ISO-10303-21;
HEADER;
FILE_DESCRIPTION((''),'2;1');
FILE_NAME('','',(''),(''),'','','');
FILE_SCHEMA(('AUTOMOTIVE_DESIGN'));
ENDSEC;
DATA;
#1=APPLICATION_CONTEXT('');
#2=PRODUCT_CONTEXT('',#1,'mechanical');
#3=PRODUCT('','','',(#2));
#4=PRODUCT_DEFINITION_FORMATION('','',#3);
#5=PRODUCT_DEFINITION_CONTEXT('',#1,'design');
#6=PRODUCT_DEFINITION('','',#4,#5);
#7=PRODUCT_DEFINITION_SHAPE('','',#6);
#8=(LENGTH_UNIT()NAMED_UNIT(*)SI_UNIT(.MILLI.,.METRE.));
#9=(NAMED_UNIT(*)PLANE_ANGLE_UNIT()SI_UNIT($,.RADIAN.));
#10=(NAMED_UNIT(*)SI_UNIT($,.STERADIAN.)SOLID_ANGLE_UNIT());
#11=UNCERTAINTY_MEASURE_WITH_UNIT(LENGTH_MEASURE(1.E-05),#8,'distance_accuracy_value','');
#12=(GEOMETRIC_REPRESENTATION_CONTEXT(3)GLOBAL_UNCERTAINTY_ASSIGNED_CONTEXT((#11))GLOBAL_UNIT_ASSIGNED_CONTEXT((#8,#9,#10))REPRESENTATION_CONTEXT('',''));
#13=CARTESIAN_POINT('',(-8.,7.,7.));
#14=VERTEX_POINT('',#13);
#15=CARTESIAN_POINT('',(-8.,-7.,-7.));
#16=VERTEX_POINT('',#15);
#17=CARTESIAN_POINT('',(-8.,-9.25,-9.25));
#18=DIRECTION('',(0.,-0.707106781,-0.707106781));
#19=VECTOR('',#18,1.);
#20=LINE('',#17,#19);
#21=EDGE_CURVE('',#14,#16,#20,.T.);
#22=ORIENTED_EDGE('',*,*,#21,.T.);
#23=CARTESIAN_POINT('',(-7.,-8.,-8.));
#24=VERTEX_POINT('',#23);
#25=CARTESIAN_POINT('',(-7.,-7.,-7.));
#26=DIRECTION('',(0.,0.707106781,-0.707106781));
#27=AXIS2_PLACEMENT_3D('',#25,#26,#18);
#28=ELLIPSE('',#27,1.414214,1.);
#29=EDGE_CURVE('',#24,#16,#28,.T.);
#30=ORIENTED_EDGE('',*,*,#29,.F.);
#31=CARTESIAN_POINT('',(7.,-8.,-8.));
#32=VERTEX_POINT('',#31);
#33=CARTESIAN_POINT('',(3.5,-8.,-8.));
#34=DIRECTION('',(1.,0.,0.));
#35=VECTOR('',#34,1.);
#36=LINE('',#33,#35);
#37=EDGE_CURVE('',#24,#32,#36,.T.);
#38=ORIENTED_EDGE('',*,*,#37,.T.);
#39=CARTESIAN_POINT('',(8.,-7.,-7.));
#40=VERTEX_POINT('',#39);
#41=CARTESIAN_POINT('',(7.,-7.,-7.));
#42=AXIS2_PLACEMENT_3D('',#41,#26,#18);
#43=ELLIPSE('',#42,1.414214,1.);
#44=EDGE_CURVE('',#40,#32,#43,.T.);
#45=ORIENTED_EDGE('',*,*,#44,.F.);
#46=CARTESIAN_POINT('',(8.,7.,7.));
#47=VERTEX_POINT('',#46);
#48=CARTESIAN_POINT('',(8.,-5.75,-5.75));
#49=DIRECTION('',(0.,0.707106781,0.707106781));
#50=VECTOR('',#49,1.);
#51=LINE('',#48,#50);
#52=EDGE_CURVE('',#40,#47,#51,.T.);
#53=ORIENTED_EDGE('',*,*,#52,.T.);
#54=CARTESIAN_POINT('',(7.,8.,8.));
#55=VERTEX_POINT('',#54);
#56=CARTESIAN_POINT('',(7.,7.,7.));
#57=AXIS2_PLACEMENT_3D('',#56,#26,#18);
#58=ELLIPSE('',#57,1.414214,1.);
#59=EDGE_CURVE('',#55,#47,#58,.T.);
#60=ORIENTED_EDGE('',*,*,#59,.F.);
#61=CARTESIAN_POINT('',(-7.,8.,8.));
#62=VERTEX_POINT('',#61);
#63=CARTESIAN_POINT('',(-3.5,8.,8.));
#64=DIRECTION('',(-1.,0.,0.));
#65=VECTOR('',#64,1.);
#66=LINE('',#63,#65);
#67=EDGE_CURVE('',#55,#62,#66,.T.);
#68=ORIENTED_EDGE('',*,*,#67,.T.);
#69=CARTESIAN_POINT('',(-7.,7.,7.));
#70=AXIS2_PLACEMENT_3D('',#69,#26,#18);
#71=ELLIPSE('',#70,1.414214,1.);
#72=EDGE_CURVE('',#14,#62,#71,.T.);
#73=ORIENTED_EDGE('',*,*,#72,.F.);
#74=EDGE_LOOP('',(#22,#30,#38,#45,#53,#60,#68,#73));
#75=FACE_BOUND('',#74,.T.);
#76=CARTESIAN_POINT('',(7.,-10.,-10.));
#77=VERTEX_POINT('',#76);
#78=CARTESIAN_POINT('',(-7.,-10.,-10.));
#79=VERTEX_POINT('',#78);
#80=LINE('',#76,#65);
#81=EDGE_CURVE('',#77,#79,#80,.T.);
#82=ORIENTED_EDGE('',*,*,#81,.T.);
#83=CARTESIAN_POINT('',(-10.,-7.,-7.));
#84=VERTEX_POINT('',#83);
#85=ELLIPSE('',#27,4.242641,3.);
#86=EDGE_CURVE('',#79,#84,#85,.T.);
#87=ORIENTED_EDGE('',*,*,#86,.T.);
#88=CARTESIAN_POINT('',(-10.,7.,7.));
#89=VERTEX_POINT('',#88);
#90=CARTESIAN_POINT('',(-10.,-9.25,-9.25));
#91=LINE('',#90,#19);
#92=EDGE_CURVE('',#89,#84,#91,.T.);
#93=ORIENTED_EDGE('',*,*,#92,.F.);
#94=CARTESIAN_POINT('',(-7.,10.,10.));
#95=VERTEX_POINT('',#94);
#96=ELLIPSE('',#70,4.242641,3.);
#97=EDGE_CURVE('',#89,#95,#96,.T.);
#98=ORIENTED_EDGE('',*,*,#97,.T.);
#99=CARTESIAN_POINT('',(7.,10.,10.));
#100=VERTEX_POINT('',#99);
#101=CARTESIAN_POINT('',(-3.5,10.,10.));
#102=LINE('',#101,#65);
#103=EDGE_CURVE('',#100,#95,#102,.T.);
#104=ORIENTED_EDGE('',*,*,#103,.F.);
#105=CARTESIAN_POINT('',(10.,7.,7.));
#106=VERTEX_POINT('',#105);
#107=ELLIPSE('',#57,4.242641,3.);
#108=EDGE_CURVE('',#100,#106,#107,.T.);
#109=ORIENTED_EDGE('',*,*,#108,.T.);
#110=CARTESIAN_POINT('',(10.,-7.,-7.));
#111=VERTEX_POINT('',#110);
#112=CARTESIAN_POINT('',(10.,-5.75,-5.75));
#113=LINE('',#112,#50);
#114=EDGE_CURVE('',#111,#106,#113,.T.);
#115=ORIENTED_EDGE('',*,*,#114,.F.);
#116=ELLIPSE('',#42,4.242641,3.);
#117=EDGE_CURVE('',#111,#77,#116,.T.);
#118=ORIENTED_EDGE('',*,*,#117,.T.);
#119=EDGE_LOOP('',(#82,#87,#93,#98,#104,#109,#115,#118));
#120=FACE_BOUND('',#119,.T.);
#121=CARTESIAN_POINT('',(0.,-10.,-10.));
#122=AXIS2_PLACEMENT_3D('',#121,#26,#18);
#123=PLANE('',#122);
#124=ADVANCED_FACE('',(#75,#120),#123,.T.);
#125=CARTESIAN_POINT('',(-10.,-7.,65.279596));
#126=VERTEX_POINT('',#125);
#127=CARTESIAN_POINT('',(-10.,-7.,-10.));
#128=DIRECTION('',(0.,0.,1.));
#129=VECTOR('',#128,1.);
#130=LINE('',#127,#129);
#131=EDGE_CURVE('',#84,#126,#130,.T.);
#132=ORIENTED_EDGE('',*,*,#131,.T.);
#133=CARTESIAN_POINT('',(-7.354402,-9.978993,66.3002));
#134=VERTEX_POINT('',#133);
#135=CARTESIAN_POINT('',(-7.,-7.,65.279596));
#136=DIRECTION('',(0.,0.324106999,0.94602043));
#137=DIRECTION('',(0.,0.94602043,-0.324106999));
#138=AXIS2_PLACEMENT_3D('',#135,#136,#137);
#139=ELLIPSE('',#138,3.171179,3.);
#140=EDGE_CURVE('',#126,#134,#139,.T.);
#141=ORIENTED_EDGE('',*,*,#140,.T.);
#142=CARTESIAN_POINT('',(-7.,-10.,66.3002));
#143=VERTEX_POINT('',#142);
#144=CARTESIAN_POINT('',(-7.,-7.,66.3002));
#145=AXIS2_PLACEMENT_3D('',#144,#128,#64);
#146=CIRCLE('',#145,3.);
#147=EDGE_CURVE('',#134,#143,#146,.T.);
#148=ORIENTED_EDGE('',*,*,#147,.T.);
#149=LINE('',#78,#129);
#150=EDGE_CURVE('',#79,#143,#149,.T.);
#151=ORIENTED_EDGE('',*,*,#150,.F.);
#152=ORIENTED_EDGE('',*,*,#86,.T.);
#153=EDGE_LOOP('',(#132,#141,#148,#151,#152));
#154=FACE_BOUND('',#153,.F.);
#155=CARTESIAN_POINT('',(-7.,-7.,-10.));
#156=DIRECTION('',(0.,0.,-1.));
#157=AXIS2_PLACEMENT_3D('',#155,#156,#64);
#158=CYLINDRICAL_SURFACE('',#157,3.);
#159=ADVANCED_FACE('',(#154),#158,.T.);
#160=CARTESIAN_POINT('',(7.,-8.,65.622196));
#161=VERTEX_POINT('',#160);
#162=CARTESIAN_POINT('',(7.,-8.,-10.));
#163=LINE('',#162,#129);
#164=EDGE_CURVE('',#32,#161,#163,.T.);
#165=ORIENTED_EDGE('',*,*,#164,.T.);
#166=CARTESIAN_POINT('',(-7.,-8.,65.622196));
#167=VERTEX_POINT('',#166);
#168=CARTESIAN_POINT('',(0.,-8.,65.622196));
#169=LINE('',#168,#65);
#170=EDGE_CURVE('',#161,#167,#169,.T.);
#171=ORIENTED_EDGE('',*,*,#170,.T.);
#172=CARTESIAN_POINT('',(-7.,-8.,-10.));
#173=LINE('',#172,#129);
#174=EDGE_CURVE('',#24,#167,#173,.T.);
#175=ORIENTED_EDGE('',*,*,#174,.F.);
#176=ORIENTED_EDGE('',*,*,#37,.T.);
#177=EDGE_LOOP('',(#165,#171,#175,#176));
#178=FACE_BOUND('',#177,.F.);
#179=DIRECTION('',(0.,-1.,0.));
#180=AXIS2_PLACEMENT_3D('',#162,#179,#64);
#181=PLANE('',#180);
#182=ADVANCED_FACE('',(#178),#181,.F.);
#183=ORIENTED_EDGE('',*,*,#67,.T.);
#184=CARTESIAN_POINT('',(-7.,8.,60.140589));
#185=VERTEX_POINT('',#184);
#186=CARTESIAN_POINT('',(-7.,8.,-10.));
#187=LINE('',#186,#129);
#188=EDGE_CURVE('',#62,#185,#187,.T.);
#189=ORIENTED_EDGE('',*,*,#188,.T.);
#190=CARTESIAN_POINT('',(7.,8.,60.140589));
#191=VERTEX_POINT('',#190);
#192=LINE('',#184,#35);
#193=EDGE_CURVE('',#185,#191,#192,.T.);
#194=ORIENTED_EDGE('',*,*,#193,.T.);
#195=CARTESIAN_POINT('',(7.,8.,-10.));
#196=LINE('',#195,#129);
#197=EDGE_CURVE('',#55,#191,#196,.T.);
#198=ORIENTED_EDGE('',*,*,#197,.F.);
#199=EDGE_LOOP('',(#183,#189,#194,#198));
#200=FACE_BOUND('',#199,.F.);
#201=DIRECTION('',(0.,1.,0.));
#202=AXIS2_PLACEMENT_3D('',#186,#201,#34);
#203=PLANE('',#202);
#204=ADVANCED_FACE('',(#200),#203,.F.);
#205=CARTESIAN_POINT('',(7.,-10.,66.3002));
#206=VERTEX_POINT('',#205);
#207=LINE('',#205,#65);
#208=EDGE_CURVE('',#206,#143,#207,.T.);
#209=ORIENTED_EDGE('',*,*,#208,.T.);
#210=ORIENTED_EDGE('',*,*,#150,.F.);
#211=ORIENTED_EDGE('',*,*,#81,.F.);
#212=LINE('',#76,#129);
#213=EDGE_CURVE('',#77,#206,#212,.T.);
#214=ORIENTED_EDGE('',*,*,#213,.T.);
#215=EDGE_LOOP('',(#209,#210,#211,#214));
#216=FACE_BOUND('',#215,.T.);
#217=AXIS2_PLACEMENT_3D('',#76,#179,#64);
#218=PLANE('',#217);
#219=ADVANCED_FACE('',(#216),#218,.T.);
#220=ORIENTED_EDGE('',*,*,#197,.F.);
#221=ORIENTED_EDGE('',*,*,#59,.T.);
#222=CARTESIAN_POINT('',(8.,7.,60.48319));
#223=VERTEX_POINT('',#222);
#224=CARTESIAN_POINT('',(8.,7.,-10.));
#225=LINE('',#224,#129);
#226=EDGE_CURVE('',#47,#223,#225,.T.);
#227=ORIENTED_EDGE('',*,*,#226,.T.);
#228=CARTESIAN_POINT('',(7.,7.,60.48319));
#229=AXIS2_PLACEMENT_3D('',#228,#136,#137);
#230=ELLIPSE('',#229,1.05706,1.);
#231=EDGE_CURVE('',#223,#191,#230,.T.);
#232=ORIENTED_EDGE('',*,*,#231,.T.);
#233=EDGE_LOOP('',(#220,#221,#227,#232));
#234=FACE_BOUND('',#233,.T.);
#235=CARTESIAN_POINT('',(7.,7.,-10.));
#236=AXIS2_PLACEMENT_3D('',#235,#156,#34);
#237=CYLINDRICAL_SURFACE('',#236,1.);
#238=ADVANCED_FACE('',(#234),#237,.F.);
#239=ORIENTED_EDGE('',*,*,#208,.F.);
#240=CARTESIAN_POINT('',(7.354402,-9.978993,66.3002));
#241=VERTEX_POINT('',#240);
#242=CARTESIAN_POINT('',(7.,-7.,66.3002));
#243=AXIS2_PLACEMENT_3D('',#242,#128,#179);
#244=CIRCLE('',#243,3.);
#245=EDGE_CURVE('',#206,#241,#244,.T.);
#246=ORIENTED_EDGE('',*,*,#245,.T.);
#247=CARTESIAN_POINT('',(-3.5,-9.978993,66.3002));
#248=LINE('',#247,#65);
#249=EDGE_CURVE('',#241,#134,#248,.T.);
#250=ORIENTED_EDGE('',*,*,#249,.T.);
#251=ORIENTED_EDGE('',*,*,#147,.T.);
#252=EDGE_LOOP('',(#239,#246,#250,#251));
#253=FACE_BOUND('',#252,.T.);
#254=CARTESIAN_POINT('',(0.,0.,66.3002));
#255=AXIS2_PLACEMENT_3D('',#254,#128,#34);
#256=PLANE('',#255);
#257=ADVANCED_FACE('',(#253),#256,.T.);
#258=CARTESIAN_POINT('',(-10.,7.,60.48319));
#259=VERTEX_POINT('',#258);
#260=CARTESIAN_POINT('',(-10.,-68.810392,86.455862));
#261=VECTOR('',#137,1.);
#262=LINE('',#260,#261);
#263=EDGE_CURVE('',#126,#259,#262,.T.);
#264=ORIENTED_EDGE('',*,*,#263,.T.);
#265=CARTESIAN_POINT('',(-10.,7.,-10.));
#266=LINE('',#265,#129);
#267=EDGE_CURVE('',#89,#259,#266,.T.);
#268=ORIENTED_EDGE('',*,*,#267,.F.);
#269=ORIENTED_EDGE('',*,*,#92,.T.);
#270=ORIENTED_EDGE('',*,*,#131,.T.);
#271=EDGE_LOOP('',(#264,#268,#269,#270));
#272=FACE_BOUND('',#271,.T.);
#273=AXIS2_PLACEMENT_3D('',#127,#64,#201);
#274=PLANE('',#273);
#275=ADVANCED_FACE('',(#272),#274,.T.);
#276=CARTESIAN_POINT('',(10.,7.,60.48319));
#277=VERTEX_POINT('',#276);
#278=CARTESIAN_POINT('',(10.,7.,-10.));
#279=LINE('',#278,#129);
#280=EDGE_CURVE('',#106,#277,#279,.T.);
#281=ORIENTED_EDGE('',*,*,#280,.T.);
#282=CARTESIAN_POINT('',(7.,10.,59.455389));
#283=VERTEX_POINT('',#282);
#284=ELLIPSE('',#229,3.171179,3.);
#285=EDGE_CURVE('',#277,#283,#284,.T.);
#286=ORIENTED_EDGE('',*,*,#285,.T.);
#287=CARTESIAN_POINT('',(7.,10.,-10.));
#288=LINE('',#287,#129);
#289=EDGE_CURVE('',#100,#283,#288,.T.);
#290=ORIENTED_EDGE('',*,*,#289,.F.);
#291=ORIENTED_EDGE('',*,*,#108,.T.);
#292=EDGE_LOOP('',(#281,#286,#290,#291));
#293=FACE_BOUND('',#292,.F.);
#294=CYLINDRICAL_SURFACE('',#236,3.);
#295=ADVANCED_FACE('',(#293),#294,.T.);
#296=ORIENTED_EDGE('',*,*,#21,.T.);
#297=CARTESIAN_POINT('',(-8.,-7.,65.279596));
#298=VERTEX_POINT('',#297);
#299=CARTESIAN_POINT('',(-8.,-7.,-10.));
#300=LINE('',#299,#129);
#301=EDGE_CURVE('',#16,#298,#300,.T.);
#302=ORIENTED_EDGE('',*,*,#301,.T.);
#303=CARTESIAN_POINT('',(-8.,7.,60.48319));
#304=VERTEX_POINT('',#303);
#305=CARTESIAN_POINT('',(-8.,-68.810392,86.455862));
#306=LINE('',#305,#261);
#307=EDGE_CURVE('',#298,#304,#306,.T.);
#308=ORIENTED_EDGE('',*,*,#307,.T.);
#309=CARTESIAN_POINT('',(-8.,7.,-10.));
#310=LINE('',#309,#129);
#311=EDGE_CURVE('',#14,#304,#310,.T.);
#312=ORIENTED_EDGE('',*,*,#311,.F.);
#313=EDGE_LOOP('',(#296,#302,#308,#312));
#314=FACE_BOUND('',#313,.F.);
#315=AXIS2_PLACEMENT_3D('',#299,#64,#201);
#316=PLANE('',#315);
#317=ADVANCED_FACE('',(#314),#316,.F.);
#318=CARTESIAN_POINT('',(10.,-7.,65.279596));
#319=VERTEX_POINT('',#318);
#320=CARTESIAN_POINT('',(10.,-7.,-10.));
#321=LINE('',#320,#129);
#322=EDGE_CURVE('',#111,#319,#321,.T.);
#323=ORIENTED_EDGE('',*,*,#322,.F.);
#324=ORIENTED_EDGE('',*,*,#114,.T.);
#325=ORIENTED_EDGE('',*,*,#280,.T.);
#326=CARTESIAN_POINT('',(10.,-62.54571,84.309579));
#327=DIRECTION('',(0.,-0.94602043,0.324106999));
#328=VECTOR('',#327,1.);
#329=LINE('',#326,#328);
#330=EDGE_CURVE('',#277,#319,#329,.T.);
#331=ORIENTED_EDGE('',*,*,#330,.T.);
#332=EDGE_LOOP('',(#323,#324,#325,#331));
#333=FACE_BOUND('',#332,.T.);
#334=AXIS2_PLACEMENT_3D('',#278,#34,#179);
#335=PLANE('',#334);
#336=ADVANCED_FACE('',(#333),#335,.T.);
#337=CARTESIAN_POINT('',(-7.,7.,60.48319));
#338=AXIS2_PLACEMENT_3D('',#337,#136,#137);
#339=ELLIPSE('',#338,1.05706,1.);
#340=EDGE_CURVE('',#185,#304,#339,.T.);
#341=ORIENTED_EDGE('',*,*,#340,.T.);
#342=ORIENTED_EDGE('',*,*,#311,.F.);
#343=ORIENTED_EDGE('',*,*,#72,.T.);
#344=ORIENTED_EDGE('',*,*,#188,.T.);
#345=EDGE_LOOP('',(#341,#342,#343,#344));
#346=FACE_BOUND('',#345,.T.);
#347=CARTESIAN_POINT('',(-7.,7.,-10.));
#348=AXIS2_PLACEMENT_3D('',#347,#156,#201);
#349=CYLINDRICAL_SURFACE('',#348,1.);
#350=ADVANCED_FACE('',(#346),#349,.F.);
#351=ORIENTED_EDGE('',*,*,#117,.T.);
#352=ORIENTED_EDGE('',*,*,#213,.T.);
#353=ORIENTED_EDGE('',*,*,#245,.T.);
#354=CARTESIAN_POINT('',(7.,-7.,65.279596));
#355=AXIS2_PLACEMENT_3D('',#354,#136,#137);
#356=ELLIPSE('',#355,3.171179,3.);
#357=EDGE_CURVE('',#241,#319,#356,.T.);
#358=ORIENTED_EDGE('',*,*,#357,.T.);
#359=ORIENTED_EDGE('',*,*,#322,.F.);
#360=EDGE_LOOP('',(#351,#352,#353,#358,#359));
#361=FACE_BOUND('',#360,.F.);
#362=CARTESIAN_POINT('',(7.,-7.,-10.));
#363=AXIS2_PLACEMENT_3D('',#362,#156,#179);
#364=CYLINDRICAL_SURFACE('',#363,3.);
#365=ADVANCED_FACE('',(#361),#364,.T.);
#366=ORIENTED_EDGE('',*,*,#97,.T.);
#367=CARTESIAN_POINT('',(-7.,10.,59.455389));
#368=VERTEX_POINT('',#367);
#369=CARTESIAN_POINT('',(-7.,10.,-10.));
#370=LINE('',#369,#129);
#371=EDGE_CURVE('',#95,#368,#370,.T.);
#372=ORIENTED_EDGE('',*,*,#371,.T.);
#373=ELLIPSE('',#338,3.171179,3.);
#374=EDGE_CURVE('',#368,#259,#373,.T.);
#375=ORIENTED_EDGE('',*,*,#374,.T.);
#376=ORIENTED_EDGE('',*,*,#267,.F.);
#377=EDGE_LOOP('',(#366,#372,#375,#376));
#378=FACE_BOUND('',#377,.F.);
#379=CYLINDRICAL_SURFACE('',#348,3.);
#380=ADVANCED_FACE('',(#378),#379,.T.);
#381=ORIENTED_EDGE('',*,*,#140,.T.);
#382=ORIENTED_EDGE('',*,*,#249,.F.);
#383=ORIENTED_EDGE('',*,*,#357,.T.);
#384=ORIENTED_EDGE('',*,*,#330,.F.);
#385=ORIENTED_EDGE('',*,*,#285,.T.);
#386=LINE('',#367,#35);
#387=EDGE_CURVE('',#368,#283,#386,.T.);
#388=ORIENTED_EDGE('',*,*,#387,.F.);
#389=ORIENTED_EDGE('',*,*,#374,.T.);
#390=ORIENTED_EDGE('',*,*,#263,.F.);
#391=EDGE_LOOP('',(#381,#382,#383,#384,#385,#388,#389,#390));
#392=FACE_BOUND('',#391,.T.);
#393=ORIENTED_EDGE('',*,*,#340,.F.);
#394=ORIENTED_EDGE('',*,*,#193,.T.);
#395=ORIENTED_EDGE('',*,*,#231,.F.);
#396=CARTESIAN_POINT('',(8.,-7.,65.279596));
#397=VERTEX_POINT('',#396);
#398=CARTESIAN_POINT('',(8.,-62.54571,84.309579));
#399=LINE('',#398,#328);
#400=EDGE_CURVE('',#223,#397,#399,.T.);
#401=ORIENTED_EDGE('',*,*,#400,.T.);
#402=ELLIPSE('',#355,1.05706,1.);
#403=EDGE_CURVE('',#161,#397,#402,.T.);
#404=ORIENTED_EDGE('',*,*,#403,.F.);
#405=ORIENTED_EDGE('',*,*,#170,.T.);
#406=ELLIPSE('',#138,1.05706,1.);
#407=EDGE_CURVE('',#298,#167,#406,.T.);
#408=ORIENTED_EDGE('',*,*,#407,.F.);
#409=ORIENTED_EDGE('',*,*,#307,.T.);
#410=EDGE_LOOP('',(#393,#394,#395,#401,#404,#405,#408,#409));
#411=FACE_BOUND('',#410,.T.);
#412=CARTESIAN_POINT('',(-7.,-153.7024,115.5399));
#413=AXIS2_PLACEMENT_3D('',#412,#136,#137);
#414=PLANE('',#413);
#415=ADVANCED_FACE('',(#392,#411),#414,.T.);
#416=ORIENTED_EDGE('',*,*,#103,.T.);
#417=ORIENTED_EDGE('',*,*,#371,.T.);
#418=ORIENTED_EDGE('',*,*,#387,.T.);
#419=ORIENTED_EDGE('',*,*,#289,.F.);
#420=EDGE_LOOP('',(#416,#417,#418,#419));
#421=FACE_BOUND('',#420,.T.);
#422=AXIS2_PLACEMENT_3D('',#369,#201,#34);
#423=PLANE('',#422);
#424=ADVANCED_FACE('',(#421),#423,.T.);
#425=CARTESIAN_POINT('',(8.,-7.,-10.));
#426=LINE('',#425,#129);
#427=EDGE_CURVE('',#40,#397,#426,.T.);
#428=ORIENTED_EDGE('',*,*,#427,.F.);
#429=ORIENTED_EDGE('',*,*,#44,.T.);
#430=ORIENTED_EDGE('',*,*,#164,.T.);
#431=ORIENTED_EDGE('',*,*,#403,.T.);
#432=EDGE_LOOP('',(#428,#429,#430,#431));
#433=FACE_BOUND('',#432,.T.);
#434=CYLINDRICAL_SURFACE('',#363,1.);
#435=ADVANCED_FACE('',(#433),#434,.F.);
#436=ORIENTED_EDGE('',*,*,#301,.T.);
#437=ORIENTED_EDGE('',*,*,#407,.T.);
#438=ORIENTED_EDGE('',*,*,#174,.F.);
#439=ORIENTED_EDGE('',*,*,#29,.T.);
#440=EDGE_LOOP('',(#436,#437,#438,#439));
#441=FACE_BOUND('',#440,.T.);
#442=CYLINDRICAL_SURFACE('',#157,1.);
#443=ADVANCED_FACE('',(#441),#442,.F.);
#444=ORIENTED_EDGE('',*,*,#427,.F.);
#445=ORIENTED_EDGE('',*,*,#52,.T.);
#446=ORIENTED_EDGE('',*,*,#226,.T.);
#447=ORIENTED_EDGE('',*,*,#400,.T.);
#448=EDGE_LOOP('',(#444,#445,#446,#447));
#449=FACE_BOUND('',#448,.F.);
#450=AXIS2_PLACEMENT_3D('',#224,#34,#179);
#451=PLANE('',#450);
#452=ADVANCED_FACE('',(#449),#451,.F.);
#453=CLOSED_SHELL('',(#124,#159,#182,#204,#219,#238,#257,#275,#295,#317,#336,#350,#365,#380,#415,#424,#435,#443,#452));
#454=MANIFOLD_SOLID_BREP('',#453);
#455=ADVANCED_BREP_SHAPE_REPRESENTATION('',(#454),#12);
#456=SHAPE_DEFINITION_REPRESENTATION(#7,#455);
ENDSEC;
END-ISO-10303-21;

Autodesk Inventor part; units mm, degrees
ref_plane "Start Plane" through (0, 0, -10) normal (0, 0, 1) x (1, 0, 0)
ref_plane "End Plane" through (0, 0, 66.3002) normal (0, 0, 1) x (1, 0, 0)
sketch "Sketch" plane through (0, 0, 0) normal (0, 0, 1) x (1, 0, 0)
  line L0 (-10, -7) -> (-10, 7)
  line L1 (-7, 10) -> (7, 10)
  line L2 (10, 7) -> (10, -7)
  line L3 (7, -10) -> (-7, -10)
  arc A0 (-10, -7) -> (-7, -10) centre (-7, -7) ccw
  arc A1 (-7, 10) -> (-10, 7) centre (-7, 7) ccw
  arc A2 (10, 7) -> (7, 10) centre (7, 7) ccw
  arc A3 (7, -10) -> (10, -7) centre (7, -7) ccw
  arc A4 (-7, 8) -> (-8, 7) centre (-7, 7) ccw
  line L4 (-7, 8) -> (7, 8)
  arc A5 (8, 7) -> (7, 8) centre (7, 7) ccw
  line L5 (8, 7) -> (8, -7)
  arc A6 (7, -8) -> (8, -7) centre (7, -7) ccw
  line L6 (7, -8) -> (-7, -8)
  arc A7 (-8, -7) -> (-7, -8) centre (-7, -7) ccw
  line L7 (-8, -7) -> (-8, 7)
  line L8 (0, 14.8698) -> (0, -14.8698) construction
  line L9 (-14.8698, 0) -> (14.8698, 0) construction
  dimension "d7" = 3
  dimension "d10" = 20
  dimension "d11" = 20
  dimension "d12" = 2
  dimension "d15" = 10
  dimension "d16" = 10
extrude "Body" add sketch "Sketch" along normal up to surface (76.3002 mm away) from surface at -10
sketch "Sketch3" plane through (0, 0, 0) normal (0, 0, 1) x (1, 0, 0)
  line L0 (0, 0) -> (10, 0)
ref_plane "Work Plane3" through (0, 0, 0) normal (0, -1, 0) x (1, 0, 0)
sketch "Sketch4" plane through (0, 0, 0) normal (0, -1, 0) x (1, 0, 0)
  line L0 (-2, -10) -> (12, -10)
  line L1 (-2, 66.3002) -> (12, 66.3002)
  dimension "d18" = 76.3002
ref_plane "Work Plane4" through (-7, -153.7024, 115.5399) normal (0, 0.3241, 0.946) x (1, 0, 0)
split "Split1" plane through (-7, -153.7024, 115.5399) removes the side toward (0, 0.3241, 0.946)
ref_plane "Work Plane7" through (0, -10, -10) normal (0, 0.7071, -0.7071) x (1, 0, 0)
split "Split4" plane through (0, -10, -10) removes the side toward (0, 0.7071, -0.7071)
equation "\"d7\" = G_IR"
equation "\"d10\" = G_H"
equation "\"d11\" = G_W"
equation "\"d12\" = G_T"
equation "\"d15\" = 0.5 * d10"
equation "\"d16\" = 0.5 * d11"
equation "\"d3\" = G_L"
equation "\"G_W\" = 20"
equation "\"G_H\" = 20"
equation "\"G_T\" = 2"
equation "\"G_IR\" = 3"
equation "\"G_L\" = d18"
equation "\"G_OFFSET_END\" = -7.14425"
equation "\"d14\" = G_OFFSET_END + B_L"
equation "\"B_L\" = 73.44444"
properties part number "ISO 12633-2 - 20x20x2 - 76,3" material "Steel, Mild"
